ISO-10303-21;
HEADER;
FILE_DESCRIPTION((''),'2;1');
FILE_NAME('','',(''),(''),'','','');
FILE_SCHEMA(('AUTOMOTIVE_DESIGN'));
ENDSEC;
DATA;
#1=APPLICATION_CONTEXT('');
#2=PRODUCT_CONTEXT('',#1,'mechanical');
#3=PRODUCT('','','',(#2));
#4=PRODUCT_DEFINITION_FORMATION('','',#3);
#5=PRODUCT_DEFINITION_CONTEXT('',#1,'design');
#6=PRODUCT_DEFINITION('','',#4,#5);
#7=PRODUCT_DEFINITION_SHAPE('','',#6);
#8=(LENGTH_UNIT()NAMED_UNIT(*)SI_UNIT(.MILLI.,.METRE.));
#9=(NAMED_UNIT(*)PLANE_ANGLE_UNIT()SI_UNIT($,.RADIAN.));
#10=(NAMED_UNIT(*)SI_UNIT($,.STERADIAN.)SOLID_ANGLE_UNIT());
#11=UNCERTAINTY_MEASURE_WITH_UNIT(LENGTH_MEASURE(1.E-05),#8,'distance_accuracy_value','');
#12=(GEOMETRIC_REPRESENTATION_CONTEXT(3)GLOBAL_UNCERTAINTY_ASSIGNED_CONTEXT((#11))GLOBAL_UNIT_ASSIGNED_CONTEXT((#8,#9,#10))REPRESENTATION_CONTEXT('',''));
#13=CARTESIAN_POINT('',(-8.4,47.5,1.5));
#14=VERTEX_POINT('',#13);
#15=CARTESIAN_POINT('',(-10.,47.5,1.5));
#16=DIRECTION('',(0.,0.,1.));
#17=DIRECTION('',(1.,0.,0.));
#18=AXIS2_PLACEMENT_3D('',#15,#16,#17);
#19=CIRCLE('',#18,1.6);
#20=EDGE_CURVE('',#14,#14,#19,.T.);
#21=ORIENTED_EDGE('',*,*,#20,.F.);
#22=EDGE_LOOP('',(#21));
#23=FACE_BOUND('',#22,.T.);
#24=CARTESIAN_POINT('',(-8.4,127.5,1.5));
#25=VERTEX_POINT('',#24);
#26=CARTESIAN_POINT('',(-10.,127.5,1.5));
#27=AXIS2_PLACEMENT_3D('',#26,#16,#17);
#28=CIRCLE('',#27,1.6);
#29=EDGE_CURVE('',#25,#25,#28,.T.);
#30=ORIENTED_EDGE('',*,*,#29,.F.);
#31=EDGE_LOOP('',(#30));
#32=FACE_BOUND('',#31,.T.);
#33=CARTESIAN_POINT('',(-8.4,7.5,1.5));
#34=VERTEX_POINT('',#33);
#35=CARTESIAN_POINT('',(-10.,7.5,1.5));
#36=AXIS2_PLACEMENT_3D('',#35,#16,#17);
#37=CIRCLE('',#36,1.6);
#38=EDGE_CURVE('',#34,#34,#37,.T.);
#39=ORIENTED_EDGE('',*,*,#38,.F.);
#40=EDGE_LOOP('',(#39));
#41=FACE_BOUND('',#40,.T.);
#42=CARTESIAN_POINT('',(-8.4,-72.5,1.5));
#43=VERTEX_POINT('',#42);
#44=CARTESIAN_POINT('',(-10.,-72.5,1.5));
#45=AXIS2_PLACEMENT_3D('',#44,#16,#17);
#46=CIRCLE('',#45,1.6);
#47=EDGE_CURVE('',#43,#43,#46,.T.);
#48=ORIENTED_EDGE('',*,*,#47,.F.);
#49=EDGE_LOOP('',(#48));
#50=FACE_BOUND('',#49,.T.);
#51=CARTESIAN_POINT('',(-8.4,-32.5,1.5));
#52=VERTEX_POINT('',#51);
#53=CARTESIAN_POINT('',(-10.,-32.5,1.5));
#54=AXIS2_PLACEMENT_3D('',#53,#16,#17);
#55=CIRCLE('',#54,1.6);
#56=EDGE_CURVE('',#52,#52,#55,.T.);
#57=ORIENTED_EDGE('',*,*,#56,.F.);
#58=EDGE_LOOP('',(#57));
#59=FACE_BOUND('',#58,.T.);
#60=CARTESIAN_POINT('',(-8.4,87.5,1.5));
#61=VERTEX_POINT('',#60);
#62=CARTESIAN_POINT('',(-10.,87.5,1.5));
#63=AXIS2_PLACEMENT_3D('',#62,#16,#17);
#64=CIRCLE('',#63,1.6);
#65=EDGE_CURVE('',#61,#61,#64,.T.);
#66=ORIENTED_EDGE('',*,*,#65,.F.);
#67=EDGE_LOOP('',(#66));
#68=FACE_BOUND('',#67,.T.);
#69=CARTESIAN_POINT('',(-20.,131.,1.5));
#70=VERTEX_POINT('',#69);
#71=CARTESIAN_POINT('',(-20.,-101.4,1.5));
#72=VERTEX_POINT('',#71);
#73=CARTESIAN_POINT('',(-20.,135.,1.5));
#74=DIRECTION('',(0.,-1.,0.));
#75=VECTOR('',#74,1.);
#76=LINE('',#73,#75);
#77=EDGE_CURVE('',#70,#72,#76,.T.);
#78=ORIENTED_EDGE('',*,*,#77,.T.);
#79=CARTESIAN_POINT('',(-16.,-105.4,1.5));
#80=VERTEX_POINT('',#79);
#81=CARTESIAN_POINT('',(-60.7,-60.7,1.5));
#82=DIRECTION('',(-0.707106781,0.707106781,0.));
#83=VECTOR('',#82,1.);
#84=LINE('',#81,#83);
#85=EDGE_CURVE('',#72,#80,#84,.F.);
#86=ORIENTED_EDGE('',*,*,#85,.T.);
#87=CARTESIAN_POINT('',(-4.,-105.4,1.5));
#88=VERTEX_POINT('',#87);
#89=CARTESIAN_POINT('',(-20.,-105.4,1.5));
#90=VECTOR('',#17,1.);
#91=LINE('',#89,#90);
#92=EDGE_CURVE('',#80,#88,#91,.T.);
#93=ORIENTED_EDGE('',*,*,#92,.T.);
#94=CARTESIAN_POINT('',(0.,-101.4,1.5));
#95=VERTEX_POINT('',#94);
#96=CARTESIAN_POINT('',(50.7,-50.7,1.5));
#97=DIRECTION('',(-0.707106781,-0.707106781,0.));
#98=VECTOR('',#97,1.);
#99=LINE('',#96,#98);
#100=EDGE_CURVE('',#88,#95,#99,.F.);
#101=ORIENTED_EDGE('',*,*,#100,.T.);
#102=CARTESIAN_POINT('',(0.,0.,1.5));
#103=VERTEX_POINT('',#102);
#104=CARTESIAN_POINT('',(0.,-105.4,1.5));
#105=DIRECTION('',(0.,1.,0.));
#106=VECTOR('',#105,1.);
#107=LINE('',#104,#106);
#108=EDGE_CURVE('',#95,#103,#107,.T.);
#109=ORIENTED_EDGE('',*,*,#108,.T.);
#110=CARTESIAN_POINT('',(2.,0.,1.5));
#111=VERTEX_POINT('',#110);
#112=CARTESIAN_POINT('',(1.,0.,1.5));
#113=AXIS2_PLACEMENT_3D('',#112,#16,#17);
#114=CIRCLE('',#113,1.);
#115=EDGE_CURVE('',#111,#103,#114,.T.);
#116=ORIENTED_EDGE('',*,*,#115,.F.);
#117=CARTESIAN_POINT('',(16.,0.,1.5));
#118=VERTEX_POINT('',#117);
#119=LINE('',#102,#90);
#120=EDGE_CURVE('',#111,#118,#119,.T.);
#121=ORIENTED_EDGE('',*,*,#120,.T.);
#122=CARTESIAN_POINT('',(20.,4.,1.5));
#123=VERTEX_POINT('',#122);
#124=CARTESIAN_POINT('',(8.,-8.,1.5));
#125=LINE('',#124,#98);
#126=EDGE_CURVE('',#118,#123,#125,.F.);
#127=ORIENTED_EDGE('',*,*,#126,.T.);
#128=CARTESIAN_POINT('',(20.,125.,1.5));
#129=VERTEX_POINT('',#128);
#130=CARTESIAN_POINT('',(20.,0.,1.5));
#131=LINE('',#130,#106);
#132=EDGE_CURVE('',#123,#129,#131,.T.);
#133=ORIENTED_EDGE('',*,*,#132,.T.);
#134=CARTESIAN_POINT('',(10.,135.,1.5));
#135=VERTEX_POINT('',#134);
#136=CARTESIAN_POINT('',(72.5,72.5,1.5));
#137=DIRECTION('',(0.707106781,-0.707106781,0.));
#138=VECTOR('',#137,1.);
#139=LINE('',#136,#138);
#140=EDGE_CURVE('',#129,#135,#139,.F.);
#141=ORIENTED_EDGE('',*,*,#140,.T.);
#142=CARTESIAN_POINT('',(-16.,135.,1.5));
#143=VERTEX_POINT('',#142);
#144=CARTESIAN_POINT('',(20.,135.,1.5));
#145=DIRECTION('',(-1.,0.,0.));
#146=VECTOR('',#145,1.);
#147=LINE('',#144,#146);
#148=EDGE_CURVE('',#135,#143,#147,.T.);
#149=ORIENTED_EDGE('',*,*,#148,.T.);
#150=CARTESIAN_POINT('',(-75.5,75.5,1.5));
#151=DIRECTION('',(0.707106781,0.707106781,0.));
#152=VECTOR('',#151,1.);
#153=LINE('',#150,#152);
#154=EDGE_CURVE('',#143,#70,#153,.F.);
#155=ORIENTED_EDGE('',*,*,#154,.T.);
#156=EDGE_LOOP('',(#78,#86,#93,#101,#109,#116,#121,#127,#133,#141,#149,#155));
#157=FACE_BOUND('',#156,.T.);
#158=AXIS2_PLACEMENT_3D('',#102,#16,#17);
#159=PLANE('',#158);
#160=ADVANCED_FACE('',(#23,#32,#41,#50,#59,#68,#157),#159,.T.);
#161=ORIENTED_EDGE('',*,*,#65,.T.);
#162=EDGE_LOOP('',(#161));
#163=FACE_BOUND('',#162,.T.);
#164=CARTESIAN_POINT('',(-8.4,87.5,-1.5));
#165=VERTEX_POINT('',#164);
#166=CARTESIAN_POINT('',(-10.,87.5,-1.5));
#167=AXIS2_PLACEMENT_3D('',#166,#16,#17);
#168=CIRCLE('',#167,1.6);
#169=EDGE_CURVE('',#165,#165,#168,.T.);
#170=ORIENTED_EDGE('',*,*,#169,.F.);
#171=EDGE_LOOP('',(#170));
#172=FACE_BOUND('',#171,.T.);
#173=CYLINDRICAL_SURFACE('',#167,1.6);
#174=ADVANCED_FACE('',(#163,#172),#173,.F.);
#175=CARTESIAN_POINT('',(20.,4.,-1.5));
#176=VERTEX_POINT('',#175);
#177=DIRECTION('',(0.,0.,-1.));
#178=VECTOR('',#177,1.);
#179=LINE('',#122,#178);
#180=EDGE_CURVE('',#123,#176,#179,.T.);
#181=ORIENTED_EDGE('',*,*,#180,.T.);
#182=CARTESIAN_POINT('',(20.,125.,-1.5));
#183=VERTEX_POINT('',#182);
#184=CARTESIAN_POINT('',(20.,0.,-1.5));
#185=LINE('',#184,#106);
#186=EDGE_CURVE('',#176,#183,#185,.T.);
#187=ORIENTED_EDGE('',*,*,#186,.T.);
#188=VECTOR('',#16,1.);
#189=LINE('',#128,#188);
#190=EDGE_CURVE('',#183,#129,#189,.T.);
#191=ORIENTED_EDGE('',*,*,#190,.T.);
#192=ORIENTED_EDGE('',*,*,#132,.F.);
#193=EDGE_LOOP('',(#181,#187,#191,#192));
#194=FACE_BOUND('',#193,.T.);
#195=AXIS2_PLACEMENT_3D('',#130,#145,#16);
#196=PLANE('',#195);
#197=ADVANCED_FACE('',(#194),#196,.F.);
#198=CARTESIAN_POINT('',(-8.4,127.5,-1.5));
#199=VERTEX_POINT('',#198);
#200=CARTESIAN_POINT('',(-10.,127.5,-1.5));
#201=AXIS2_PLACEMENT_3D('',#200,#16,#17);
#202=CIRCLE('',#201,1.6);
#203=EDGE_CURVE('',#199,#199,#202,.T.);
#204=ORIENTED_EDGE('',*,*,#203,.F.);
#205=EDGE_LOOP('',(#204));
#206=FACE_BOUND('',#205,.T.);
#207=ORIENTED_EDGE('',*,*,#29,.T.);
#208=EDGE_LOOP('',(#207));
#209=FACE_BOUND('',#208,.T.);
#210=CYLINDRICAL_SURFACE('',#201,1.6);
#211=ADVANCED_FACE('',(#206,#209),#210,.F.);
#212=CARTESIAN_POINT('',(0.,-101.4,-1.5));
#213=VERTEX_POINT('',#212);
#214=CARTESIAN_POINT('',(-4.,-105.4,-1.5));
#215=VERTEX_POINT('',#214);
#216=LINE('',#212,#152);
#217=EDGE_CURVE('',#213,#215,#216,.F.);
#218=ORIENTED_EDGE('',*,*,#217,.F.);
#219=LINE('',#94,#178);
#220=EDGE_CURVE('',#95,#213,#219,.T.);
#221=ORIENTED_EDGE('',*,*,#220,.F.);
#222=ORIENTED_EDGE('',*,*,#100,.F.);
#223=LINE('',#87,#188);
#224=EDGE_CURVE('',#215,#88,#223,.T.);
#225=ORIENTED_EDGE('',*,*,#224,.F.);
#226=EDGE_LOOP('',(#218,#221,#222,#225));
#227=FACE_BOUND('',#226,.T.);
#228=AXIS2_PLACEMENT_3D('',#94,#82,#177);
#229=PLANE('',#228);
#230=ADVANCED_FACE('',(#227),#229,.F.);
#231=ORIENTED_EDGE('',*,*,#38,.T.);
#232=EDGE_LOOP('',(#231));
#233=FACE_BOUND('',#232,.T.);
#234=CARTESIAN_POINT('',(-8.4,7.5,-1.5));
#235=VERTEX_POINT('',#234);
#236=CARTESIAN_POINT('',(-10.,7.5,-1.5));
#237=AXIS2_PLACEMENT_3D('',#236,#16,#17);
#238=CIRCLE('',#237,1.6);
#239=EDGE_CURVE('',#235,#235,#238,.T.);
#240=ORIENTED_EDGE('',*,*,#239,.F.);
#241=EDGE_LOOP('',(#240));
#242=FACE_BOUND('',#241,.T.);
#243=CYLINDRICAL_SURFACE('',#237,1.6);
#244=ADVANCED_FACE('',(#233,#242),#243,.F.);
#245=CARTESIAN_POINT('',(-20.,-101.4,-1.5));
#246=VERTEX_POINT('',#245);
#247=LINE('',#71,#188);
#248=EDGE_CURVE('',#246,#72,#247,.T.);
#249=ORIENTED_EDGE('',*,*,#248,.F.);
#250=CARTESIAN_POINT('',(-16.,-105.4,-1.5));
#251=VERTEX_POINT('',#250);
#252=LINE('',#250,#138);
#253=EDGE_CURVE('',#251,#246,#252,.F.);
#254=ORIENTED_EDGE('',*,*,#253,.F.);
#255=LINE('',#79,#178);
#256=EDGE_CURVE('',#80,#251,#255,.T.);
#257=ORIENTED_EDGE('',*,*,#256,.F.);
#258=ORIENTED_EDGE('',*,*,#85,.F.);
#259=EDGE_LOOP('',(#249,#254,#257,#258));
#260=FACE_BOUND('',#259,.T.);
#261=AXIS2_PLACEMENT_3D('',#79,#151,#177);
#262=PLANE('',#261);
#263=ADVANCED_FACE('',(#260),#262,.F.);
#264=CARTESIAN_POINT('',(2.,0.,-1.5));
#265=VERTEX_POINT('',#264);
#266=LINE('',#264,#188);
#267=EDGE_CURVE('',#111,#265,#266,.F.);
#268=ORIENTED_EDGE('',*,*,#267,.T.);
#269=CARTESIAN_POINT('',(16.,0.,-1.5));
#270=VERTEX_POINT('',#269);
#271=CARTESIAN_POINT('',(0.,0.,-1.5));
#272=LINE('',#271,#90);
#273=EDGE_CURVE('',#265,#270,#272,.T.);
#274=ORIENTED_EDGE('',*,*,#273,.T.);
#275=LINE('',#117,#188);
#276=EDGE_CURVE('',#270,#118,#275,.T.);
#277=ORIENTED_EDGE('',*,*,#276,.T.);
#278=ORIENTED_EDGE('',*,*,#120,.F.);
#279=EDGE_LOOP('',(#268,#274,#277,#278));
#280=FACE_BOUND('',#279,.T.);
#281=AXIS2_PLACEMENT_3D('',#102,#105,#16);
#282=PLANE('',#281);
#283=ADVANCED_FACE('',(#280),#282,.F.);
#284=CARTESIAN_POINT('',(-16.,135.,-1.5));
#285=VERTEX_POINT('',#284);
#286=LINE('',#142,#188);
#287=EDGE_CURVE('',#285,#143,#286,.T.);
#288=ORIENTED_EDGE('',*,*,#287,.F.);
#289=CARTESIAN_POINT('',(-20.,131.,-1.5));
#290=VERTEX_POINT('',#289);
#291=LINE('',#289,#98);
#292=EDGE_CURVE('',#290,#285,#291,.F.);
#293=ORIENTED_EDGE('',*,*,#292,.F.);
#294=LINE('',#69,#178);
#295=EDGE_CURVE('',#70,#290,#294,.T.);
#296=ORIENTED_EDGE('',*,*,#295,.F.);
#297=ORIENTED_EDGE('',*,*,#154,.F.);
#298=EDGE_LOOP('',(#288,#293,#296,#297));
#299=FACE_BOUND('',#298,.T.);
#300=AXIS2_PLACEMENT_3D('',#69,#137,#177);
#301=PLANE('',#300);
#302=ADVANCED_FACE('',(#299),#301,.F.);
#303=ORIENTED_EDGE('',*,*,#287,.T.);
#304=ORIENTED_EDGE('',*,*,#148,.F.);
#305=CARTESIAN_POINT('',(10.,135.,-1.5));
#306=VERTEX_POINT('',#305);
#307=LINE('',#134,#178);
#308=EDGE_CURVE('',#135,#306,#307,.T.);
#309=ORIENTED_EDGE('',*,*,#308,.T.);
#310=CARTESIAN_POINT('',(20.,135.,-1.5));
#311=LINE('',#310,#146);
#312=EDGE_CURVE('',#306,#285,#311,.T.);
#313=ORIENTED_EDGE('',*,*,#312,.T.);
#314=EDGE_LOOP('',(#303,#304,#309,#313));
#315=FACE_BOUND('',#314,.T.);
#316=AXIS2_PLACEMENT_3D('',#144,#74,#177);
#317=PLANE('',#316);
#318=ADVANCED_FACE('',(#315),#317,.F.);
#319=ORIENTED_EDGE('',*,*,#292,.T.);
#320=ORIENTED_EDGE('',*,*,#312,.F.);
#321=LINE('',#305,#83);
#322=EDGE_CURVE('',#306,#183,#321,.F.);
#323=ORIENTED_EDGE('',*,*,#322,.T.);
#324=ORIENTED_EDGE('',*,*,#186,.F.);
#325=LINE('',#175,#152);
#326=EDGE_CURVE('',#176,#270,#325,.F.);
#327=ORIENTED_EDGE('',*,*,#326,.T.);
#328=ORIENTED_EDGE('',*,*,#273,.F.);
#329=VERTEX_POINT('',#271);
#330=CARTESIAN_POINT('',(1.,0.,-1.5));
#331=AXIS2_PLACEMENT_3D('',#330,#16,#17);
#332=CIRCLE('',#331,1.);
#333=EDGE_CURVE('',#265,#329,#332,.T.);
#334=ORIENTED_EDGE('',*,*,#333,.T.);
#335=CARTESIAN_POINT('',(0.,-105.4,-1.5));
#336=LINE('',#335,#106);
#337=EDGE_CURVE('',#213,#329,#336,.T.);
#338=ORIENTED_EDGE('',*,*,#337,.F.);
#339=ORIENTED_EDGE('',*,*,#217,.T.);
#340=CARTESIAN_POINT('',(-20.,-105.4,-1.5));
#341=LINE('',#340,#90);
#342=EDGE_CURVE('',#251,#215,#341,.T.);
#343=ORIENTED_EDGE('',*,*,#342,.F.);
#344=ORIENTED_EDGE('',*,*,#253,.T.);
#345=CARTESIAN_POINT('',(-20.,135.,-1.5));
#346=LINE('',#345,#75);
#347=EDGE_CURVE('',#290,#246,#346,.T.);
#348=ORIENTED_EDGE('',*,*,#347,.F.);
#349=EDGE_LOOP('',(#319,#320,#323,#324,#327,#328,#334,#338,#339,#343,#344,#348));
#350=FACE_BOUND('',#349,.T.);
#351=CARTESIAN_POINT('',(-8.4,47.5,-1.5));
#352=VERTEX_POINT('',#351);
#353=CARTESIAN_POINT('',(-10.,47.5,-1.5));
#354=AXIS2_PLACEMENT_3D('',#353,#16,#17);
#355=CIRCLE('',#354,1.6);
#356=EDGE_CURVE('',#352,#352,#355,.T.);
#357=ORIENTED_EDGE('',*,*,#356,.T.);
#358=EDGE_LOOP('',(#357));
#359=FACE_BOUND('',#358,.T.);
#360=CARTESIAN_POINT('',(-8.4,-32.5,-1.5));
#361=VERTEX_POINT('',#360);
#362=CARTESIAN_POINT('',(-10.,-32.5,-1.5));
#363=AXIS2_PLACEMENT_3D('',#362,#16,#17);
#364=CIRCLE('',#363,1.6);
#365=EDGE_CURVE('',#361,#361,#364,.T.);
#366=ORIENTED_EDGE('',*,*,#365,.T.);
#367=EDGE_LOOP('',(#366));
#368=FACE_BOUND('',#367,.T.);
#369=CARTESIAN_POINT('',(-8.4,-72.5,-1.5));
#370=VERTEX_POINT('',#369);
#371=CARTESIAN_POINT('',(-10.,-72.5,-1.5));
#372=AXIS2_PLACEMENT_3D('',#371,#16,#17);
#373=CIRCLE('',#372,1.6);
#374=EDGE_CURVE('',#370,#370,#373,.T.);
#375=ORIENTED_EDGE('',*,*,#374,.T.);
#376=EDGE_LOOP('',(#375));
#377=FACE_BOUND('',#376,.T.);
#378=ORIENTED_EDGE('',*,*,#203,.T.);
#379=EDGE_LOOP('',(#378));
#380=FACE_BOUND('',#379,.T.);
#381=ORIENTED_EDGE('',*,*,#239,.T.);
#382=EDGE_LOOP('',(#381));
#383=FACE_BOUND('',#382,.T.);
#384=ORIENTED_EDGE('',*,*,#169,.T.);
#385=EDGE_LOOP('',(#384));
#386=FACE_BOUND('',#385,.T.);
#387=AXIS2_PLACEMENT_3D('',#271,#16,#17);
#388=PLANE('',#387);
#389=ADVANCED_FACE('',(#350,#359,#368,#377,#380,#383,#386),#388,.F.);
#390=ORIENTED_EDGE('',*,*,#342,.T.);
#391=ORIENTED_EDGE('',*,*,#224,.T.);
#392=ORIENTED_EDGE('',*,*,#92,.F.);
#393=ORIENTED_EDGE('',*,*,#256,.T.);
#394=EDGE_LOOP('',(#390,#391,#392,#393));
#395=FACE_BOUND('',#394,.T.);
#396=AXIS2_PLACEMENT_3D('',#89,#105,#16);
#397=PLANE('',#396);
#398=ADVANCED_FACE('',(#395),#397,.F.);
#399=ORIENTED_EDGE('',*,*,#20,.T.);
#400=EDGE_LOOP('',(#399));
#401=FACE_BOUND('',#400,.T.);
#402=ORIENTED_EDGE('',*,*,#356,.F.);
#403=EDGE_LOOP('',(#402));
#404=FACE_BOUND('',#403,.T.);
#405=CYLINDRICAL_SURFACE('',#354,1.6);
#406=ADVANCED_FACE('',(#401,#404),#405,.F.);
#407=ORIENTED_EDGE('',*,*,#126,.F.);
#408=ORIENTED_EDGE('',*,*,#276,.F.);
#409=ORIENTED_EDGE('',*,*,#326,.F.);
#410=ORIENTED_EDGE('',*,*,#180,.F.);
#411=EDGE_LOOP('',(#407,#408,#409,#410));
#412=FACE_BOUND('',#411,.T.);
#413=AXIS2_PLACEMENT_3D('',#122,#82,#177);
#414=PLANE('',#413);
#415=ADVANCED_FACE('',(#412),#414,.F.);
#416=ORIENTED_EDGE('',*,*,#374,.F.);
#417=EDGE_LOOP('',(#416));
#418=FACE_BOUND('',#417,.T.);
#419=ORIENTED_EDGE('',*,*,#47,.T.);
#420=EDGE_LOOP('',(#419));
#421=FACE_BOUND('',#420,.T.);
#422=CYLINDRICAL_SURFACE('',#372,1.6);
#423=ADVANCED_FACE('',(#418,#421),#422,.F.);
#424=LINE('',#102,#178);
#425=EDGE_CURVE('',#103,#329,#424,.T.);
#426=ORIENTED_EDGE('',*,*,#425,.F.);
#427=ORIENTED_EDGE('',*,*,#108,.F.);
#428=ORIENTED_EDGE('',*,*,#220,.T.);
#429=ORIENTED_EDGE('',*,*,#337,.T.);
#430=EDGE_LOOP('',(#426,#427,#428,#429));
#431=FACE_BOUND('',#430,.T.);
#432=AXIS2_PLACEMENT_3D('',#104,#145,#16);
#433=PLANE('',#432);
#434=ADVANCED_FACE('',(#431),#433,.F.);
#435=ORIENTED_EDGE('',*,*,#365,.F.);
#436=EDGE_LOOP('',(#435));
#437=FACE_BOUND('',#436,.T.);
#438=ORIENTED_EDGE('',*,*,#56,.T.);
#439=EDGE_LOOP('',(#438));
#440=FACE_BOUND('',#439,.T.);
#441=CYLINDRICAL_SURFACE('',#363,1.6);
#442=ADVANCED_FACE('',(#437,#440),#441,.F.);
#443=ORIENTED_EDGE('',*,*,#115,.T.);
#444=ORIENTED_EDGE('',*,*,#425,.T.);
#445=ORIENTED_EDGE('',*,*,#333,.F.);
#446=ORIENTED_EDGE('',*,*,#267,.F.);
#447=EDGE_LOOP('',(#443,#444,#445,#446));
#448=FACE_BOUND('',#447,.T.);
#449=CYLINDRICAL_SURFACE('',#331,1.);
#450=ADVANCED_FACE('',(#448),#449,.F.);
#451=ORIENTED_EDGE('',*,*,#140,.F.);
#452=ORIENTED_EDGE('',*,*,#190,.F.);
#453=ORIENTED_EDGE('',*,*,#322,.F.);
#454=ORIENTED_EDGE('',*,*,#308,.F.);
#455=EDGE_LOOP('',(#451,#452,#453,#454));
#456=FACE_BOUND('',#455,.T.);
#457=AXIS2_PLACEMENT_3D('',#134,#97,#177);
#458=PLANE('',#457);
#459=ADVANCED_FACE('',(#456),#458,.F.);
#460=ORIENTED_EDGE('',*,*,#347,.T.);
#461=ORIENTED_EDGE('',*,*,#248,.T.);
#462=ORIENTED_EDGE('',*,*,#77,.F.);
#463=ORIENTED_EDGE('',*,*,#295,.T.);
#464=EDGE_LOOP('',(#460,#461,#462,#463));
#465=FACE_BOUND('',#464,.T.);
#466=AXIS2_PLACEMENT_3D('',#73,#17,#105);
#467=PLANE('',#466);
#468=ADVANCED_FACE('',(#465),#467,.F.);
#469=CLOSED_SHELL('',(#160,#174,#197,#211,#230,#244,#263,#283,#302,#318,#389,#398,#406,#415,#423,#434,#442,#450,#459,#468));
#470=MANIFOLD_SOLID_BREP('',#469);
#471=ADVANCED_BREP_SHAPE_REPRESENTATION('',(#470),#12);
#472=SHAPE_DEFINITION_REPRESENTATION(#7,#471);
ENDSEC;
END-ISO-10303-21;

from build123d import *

# Parameters (mm, degrees)
EXTRUDE_1_DEPTH        = 1.5
SKETCH_2_R             = 1.6
CUT_EXTRUDE_1_DEPTH    = 137.506410106
PATTERN_LINEAR_1_COUNT = 6
PATTERN_LINEAR_1_PITCH = 40
CHAMFER_1_SIZE         = 10
CHAMFER_2_SIZE         = 4
SKETCH_3_R             = 1
CUT_EXTRUDE_2_DEPTH    = 137.506410106


with BuildPart() as part:
    # 草图1 → 凸台-拉伸1 (new, symmetric)
    with BuildSketch(Plane.XY):
        Polygon((-20, 135), (-20, -105.4), (0, -105.4), (0, 0), (20, 0), (20, 135), align=None)
    extrude(amount=EXTRUDE_1_DEPTH, both=True)

    # 草图2 → 切除-拉伸1 (cut, through all)
    with BuildSketch(Plane.XY.offset(1.5)):
        with Locations((-10, 127.5)):
            Circle(SKETCH_2_R)
    cut_extrude_1 = extrude(amount=-CUT_EXTRUDE_1_DEPTH, mode=Mode.SUBTRACT)

    # 阵列(线性)1: 切除-拉伸1 ×6
    with Locations(*[(0, -i * PATTERN_LINEAR_1_PITCH, 0) for i in range(1, PATTERN_LINEAR_1_COUNT)]):
        add(cut_extrude_1, mode=Mode.SUBTRACT)

    # 倒角1
    chamfer_1_edges = [part.edges().sort_by_distance(p)[0] for p in [
        (20, 135, 0),
    ]]
    chamfer(chamfer_1_edges, length=CHAMFER_1_SIZE)

    # 倒角2
    chamfer_2_edges = [part.edges().sort_by_distance(p)[0] for p in [
        (20, 0, 0),
        (0, -105.4, 0),
        (-20, -105.4, 0),
        (-20, 135, 0),
    ]]
    chamfer(chamfer_2_edges, length=CHAMFER_2_SIZE)

    # 草图3 → 切除-拉伸2 (cut, through all)
    with BuildSketch(Plane.XY.offset(1.5)):
        with Locations((1, 0)):
            Circle(SKETCH_3_R)
    extrude(amount=-CUT_EXTRUDE_2_DEPTH, mode=Mode.SUBTRACT)


solid = part.part
